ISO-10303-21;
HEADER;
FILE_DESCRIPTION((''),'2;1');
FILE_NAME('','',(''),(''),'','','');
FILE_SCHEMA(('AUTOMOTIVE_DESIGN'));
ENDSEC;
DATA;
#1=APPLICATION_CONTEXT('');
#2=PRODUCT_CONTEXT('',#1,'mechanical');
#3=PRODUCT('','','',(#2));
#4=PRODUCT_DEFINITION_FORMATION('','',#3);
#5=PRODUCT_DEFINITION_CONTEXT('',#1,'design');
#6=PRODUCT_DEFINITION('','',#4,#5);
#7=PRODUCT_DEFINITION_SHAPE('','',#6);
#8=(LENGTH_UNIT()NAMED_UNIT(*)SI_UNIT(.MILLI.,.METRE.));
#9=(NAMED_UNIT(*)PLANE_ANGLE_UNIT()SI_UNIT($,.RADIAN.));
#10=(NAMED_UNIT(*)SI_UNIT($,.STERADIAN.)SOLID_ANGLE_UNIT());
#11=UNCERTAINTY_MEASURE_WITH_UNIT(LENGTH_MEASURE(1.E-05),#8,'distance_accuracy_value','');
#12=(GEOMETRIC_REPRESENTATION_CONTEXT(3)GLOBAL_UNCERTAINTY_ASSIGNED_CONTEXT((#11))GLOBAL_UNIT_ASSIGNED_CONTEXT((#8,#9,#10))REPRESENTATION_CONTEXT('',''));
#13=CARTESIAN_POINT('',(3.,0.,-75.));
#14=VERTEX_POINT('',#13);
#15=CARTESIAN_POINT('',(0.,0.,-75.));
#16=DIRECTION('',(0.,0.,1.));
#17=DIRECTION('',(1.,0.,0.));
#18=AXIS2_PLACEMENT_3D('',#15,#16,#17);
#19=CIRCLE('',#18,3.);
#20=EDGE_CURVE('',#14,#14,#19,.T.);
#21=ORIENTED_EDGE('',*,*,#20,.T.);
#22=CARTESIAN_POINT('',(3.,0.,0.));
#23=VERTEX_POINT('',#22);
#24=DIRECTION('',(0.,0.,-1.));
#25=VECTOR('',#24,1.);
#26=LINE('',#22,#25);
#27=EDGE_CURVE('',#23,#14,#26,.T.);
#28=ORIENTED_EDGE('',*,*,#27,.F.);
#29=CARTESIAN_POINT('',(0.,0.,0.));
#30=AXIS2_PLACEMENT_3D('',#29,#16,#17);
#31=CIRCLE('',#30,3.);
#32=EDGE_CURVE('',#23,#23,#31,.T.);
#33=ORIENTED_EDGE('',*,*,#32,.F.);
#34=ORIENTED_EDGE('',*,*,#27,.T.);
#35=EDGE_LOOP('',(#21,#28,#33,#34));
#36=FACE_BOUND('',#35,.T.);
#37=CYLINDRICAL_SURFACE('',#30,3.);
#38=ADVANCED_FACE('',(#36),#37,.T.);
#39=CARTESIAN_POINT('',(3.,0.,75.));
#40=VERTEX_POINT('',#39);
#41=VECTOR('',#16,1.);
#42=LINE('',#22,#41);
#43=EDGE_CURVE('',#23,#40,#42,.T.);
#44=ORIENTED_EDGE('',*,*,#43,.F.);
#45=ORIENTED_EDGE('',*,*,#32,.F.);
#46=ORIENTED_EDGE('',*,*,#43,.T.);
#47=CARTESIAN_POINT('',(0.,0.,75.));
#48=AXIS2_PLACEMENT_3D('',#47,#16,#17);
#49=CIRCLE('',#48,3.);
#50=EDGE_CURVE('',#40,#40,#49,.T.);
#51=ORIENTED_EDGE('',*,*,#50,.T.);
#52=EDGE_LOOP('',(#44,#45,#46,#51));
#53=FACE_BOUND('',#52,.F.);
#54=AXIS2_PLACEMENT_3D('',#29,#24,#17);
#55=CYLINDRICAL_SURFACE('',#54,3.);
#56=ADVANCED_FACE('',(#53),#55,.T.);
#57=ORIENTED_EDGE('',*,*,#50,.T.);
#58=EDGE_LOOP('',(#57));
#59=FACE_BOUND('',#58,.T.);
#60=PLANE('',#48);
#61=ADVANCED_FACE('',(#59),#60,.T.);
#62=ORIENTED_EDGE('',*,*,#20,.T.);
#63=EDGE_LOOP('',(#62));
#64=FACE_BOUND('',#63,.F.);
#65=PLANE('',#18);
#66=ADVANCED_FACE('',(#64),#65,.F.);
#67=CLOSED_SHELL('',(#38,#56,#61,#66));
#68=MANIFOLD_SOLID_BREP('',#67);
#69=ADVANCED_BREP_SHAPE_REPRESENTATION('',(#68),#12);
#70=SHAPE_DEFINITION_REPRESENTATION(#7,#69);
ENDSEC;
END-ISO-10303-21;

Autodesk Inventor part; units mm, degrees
ref_plane "YZ Plane" through (0, 0, 0) normal (1, 0, 0) x (0, 1, 0)
ref_plane "XZ Plane" through (0, 0, 0) normal (0, 1, 0) x (-1, 0, 0)
ref_plane "XY Plane" through (0, 0, 0) normal (0, 0, 1) x (1, 0, 0)
sketch "Sketch1" plane through (0, 0, 0) normal (0, 0, 1) x (1, 0, 0)
  circle A0 centre (0, 0) radius 3
  dimension "d0" = 6
extrude "Extrusion1" add sketch "Sketch1" along normal mid plane 150
properties part number "rod"
